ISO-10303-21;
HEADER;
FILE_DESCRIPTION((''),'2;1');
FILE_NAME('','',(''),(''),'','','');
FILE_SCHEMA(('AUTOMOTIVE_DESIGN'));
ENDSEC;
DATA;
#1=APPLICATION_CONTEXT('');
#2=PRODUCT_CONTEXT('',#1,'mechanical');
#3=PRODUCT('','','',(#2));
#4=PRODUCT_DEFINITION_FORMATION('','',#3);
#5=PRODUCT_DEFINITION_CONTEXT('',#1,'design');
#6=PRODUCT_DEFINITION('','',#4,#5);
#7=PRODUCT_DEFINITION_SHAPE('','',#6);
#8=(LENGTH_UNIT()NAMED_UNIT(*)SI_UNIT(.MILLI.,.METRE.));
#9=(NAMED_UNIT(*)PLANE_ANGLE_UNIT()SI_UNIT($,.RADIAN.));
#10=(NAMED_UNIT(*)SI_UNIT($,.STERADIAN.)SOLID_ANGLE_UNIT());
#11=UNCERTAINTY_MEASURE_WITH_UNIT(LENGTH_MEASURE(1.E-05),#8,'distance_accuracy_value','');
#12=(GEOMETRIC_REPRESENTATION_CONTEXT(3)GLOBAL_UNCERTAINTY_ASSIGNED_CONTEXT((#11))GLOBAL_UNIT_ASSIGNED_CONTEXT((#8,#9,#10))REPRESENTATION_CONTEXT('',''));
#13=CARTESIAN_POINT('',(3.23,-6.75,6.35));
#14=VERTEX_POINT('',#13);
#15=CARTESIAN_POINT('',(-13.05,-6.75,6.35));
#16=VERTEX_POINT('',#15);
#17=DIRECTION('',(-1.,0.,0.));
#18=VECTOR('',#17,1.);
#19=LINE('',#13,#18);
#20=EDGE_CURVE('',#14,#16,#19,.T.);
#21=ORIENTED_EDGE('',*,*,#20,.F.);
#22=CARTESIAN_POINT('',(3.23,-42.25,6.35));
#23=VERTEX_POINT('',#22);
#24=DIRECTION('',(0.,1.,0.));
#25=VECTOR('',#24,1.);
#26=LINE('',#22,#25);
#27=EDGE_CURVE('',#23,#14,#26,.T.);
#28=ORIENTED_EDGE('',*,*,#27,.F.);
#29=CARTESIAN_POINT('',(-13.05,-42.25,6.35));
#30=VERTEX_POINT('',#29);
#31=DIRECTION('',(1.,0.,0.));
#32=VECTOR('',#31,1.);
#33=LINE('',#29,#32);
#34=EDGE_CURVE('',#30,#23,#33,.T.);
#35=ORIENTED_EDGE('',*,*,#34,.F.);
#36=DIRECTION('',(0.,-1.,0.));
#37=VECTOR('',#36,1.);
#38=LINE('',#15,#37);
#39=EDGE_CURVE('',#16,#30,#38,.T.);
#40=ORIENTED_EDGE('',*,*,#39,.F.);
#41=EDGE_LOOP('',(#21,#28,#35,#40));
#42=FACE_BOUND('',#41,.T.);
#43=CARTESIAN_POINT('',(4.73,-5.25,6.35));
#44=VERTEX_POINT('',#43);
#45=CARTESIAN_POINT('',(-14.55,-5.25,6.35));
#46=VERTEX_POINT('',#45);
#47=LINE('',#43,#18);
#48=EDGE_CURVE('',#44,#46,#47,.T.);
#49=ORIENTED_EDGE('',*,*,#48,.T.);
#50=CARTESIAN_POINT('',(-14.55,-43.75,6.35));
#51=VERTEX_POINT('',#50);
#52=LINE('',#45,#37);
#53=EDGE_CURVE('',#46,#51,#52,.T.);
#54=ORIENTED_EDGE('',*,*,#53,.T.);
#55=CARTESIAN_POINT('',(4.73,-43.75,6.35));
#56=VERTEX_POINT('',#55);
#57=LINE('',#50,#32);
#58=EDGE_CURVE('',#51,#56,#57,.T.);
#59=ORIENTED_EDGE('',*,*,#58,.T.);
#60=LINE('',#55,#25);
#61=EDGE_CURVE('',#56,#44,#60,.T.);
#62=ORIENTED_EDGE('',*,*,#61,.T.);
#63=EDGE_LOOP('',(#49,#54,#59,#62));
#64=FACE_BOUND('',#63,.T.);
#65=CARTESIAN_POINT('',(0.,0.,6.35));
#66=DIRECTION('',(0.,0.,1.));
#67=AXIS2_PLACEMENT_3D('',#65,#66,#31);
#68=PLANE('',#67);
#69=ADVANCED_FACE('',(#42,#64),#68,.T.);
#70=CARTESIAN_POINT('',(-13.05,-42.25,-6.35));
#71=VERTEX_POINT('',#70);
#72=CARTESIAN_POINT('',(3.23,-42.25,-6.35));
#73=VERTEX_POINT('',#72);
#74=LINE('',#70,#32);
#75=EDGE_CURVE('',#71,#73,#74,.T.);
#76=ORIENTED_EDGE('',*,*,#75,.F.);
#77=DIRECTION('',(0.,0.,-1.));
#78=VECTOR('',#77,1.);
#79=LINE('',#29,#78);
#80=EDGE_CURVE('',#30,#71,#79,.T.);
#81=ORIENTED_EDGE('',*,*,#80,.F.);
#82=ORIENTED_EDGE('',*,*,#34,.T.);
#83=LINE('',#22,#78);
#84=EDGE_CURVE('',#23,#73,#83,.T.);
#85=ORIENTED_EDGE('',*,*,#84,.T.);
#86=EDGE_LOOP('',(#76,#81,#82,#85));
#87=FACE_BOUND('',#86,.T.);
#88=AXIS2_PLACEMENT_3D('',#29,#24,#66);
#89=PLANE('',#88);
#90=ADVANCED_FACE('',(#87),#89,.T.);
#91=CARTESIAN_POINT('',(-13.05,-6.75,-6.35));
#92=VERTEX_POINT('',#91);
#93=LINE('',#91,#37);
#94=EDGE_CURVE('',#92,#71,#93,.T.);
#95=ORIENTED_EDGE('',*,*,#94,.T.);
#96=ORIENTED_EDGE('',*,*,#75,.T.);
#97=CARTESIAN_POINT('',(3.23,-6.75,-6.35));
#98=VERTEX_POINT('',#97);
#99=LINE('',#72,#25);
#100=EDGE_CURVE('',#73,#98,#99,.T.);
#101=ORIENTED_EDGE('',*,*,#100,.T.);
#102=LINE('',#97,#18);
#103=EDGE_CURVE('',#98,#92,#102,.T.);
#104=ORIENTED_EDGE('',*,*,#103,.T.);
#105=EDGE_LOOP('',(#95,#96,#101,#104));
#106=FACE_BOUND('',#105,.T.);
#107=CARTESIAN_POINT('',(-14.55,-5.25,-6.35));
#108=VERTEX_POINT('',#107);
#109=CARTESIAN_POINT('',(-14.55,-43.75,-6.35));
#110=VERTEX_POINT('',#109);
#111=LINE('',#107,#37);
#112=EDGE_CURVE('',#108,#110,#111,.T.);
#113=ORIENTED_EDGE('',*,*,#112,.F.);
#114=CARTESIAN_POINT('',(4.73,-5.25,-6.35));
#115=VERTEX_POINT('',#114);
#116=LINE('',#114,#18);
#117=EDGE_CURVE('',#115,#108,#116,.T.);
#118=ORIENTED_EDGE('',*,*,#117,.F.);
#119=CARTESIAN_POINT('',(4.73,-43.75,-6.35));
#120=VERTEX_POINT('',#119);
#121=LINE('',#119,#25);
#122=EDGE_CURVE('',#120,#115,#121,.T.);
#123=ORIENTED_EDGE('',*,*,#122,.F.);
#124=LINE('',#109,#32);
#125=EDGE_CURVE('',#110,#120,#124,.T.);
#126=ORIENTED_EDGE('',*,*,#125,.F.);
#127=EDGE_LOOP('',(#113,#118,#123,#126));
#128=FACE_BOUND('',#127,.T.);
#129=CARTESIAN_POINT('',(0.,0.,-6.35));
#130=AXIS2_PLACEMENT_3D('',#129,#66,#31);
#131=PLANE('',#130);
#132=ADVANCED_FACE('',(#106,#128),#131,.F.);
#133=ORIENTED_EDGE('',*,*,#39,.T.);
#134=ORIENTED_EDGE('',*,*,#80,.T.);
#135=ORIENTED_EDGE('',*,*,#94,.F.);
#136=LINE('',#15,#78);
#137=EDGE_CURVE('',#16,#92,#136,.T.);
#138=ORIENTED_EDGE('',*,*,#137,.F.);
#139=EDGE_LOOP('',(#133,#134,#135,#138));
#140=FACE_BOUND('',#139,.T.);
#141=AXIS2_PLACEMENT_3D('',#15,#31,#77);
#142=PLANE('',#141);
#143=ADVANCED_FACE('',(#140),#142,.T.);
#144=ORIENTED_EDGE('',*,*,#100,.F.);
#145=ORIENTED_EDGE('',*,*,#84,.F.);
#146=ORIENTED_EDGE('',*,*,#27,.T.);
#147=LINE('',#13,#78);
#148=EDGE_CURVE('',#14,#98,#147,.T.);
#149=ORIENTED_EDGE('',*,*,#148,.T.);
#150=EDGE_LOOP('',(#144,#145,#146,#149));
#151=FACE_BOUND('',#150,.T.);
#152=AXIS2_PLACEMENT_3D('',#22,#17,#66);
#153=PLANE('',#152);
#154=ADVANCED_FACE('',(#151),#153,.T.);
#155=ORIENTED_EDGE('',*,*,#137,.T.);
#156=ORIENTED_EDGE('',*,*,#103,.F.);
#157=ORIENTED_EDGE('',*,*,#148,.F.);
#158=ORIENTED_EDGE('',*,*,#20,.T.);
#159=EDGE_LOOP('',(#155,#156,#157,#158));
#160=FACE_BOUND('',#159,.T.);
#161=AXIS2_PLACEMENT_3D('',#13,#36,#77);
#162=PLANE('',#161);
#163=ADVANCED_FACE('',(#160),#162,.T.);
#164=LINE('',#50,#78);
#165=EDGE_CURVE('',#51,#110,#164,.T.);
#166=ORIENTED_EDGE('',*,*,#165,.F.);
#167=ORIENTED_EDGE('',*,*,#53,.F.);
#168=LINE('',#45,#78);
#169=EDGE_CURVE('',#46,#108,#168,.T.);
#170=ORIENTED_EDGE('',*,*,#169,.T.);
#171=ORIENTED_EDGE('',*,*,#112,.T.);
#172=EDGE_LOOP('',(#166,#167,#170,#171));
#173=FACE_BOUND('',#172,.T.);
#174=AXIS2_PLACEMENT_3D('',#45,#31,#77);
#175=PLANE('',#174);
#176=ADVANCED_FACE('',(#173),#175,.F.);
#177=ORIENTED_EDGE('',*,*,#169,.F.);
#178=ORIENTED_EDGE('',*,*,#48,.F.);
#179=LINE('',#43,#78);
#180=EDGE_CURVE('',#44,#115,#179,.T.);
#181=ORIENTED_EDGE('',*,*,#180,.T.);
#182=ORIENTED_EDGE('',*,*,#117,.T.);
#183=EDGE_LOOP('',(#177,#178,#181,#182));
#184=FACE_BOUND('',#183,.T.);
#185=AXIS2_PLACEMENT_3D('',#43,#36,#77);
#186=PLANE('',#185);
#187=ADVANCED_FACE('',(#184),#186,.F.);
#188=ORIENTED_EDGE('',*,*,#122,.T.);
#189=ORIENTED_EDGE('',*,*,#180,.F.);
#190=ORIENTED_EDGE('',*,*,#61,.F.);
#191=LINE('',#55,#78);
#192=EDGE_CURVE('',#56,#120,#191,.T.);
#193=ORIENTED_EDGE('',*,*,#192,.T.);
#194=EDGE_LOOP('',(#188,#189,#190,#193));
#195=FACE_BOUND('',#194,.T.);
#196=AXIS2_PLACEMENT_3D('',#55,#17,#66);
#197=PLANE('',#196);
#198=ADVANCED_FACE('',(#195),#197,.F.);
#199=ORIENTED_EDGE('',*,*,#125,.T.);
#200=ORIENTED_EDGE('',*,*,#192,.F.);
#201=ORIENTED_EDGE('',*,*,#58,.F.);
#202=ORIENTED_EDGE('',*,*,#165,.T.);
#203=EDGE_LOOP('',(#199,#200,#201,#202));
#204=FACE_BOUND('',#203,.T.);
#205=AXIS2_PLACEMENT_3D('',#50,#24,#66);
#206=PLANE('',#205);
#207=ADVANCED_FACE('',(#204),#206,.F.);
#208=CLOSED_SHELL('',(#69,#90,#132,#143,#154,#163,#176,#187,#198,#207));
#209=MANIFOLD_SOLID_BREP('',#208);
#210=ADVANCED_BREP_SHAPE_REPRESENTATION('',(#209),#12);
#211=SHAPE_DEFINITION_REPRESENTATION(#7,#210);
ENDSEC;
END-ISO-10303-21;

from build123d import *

# Parameters (mm, degrees)
STRAP_SKETCH_W   = 19.28
STRAP_SKETCH_H   = 38.5
STRAP_SKETCH_W_2 = 16.28
STRAP_SKETCH_H_2 = 35.5
STRAP_DEPTH      = 6.35


with BuildPart() as part:
    # Strap Sketch → Strap (new, symmetric)
    with BuildSketch(Plane.XY):
        with Locations((-4.91, -24.5)):
            Rectangle(STRAP_SKETCH_W, STRAP_SKETCH_H)
        with Locations((-4.91, -24.5)):
            Rectangle(STRAP_SKETCH_W_2, STRAP_SKETCH_H_2, mode=Mode.SUBTRACT)
    extrude(amount=STRAP_DEPTH, both=True)


solid = part.part
